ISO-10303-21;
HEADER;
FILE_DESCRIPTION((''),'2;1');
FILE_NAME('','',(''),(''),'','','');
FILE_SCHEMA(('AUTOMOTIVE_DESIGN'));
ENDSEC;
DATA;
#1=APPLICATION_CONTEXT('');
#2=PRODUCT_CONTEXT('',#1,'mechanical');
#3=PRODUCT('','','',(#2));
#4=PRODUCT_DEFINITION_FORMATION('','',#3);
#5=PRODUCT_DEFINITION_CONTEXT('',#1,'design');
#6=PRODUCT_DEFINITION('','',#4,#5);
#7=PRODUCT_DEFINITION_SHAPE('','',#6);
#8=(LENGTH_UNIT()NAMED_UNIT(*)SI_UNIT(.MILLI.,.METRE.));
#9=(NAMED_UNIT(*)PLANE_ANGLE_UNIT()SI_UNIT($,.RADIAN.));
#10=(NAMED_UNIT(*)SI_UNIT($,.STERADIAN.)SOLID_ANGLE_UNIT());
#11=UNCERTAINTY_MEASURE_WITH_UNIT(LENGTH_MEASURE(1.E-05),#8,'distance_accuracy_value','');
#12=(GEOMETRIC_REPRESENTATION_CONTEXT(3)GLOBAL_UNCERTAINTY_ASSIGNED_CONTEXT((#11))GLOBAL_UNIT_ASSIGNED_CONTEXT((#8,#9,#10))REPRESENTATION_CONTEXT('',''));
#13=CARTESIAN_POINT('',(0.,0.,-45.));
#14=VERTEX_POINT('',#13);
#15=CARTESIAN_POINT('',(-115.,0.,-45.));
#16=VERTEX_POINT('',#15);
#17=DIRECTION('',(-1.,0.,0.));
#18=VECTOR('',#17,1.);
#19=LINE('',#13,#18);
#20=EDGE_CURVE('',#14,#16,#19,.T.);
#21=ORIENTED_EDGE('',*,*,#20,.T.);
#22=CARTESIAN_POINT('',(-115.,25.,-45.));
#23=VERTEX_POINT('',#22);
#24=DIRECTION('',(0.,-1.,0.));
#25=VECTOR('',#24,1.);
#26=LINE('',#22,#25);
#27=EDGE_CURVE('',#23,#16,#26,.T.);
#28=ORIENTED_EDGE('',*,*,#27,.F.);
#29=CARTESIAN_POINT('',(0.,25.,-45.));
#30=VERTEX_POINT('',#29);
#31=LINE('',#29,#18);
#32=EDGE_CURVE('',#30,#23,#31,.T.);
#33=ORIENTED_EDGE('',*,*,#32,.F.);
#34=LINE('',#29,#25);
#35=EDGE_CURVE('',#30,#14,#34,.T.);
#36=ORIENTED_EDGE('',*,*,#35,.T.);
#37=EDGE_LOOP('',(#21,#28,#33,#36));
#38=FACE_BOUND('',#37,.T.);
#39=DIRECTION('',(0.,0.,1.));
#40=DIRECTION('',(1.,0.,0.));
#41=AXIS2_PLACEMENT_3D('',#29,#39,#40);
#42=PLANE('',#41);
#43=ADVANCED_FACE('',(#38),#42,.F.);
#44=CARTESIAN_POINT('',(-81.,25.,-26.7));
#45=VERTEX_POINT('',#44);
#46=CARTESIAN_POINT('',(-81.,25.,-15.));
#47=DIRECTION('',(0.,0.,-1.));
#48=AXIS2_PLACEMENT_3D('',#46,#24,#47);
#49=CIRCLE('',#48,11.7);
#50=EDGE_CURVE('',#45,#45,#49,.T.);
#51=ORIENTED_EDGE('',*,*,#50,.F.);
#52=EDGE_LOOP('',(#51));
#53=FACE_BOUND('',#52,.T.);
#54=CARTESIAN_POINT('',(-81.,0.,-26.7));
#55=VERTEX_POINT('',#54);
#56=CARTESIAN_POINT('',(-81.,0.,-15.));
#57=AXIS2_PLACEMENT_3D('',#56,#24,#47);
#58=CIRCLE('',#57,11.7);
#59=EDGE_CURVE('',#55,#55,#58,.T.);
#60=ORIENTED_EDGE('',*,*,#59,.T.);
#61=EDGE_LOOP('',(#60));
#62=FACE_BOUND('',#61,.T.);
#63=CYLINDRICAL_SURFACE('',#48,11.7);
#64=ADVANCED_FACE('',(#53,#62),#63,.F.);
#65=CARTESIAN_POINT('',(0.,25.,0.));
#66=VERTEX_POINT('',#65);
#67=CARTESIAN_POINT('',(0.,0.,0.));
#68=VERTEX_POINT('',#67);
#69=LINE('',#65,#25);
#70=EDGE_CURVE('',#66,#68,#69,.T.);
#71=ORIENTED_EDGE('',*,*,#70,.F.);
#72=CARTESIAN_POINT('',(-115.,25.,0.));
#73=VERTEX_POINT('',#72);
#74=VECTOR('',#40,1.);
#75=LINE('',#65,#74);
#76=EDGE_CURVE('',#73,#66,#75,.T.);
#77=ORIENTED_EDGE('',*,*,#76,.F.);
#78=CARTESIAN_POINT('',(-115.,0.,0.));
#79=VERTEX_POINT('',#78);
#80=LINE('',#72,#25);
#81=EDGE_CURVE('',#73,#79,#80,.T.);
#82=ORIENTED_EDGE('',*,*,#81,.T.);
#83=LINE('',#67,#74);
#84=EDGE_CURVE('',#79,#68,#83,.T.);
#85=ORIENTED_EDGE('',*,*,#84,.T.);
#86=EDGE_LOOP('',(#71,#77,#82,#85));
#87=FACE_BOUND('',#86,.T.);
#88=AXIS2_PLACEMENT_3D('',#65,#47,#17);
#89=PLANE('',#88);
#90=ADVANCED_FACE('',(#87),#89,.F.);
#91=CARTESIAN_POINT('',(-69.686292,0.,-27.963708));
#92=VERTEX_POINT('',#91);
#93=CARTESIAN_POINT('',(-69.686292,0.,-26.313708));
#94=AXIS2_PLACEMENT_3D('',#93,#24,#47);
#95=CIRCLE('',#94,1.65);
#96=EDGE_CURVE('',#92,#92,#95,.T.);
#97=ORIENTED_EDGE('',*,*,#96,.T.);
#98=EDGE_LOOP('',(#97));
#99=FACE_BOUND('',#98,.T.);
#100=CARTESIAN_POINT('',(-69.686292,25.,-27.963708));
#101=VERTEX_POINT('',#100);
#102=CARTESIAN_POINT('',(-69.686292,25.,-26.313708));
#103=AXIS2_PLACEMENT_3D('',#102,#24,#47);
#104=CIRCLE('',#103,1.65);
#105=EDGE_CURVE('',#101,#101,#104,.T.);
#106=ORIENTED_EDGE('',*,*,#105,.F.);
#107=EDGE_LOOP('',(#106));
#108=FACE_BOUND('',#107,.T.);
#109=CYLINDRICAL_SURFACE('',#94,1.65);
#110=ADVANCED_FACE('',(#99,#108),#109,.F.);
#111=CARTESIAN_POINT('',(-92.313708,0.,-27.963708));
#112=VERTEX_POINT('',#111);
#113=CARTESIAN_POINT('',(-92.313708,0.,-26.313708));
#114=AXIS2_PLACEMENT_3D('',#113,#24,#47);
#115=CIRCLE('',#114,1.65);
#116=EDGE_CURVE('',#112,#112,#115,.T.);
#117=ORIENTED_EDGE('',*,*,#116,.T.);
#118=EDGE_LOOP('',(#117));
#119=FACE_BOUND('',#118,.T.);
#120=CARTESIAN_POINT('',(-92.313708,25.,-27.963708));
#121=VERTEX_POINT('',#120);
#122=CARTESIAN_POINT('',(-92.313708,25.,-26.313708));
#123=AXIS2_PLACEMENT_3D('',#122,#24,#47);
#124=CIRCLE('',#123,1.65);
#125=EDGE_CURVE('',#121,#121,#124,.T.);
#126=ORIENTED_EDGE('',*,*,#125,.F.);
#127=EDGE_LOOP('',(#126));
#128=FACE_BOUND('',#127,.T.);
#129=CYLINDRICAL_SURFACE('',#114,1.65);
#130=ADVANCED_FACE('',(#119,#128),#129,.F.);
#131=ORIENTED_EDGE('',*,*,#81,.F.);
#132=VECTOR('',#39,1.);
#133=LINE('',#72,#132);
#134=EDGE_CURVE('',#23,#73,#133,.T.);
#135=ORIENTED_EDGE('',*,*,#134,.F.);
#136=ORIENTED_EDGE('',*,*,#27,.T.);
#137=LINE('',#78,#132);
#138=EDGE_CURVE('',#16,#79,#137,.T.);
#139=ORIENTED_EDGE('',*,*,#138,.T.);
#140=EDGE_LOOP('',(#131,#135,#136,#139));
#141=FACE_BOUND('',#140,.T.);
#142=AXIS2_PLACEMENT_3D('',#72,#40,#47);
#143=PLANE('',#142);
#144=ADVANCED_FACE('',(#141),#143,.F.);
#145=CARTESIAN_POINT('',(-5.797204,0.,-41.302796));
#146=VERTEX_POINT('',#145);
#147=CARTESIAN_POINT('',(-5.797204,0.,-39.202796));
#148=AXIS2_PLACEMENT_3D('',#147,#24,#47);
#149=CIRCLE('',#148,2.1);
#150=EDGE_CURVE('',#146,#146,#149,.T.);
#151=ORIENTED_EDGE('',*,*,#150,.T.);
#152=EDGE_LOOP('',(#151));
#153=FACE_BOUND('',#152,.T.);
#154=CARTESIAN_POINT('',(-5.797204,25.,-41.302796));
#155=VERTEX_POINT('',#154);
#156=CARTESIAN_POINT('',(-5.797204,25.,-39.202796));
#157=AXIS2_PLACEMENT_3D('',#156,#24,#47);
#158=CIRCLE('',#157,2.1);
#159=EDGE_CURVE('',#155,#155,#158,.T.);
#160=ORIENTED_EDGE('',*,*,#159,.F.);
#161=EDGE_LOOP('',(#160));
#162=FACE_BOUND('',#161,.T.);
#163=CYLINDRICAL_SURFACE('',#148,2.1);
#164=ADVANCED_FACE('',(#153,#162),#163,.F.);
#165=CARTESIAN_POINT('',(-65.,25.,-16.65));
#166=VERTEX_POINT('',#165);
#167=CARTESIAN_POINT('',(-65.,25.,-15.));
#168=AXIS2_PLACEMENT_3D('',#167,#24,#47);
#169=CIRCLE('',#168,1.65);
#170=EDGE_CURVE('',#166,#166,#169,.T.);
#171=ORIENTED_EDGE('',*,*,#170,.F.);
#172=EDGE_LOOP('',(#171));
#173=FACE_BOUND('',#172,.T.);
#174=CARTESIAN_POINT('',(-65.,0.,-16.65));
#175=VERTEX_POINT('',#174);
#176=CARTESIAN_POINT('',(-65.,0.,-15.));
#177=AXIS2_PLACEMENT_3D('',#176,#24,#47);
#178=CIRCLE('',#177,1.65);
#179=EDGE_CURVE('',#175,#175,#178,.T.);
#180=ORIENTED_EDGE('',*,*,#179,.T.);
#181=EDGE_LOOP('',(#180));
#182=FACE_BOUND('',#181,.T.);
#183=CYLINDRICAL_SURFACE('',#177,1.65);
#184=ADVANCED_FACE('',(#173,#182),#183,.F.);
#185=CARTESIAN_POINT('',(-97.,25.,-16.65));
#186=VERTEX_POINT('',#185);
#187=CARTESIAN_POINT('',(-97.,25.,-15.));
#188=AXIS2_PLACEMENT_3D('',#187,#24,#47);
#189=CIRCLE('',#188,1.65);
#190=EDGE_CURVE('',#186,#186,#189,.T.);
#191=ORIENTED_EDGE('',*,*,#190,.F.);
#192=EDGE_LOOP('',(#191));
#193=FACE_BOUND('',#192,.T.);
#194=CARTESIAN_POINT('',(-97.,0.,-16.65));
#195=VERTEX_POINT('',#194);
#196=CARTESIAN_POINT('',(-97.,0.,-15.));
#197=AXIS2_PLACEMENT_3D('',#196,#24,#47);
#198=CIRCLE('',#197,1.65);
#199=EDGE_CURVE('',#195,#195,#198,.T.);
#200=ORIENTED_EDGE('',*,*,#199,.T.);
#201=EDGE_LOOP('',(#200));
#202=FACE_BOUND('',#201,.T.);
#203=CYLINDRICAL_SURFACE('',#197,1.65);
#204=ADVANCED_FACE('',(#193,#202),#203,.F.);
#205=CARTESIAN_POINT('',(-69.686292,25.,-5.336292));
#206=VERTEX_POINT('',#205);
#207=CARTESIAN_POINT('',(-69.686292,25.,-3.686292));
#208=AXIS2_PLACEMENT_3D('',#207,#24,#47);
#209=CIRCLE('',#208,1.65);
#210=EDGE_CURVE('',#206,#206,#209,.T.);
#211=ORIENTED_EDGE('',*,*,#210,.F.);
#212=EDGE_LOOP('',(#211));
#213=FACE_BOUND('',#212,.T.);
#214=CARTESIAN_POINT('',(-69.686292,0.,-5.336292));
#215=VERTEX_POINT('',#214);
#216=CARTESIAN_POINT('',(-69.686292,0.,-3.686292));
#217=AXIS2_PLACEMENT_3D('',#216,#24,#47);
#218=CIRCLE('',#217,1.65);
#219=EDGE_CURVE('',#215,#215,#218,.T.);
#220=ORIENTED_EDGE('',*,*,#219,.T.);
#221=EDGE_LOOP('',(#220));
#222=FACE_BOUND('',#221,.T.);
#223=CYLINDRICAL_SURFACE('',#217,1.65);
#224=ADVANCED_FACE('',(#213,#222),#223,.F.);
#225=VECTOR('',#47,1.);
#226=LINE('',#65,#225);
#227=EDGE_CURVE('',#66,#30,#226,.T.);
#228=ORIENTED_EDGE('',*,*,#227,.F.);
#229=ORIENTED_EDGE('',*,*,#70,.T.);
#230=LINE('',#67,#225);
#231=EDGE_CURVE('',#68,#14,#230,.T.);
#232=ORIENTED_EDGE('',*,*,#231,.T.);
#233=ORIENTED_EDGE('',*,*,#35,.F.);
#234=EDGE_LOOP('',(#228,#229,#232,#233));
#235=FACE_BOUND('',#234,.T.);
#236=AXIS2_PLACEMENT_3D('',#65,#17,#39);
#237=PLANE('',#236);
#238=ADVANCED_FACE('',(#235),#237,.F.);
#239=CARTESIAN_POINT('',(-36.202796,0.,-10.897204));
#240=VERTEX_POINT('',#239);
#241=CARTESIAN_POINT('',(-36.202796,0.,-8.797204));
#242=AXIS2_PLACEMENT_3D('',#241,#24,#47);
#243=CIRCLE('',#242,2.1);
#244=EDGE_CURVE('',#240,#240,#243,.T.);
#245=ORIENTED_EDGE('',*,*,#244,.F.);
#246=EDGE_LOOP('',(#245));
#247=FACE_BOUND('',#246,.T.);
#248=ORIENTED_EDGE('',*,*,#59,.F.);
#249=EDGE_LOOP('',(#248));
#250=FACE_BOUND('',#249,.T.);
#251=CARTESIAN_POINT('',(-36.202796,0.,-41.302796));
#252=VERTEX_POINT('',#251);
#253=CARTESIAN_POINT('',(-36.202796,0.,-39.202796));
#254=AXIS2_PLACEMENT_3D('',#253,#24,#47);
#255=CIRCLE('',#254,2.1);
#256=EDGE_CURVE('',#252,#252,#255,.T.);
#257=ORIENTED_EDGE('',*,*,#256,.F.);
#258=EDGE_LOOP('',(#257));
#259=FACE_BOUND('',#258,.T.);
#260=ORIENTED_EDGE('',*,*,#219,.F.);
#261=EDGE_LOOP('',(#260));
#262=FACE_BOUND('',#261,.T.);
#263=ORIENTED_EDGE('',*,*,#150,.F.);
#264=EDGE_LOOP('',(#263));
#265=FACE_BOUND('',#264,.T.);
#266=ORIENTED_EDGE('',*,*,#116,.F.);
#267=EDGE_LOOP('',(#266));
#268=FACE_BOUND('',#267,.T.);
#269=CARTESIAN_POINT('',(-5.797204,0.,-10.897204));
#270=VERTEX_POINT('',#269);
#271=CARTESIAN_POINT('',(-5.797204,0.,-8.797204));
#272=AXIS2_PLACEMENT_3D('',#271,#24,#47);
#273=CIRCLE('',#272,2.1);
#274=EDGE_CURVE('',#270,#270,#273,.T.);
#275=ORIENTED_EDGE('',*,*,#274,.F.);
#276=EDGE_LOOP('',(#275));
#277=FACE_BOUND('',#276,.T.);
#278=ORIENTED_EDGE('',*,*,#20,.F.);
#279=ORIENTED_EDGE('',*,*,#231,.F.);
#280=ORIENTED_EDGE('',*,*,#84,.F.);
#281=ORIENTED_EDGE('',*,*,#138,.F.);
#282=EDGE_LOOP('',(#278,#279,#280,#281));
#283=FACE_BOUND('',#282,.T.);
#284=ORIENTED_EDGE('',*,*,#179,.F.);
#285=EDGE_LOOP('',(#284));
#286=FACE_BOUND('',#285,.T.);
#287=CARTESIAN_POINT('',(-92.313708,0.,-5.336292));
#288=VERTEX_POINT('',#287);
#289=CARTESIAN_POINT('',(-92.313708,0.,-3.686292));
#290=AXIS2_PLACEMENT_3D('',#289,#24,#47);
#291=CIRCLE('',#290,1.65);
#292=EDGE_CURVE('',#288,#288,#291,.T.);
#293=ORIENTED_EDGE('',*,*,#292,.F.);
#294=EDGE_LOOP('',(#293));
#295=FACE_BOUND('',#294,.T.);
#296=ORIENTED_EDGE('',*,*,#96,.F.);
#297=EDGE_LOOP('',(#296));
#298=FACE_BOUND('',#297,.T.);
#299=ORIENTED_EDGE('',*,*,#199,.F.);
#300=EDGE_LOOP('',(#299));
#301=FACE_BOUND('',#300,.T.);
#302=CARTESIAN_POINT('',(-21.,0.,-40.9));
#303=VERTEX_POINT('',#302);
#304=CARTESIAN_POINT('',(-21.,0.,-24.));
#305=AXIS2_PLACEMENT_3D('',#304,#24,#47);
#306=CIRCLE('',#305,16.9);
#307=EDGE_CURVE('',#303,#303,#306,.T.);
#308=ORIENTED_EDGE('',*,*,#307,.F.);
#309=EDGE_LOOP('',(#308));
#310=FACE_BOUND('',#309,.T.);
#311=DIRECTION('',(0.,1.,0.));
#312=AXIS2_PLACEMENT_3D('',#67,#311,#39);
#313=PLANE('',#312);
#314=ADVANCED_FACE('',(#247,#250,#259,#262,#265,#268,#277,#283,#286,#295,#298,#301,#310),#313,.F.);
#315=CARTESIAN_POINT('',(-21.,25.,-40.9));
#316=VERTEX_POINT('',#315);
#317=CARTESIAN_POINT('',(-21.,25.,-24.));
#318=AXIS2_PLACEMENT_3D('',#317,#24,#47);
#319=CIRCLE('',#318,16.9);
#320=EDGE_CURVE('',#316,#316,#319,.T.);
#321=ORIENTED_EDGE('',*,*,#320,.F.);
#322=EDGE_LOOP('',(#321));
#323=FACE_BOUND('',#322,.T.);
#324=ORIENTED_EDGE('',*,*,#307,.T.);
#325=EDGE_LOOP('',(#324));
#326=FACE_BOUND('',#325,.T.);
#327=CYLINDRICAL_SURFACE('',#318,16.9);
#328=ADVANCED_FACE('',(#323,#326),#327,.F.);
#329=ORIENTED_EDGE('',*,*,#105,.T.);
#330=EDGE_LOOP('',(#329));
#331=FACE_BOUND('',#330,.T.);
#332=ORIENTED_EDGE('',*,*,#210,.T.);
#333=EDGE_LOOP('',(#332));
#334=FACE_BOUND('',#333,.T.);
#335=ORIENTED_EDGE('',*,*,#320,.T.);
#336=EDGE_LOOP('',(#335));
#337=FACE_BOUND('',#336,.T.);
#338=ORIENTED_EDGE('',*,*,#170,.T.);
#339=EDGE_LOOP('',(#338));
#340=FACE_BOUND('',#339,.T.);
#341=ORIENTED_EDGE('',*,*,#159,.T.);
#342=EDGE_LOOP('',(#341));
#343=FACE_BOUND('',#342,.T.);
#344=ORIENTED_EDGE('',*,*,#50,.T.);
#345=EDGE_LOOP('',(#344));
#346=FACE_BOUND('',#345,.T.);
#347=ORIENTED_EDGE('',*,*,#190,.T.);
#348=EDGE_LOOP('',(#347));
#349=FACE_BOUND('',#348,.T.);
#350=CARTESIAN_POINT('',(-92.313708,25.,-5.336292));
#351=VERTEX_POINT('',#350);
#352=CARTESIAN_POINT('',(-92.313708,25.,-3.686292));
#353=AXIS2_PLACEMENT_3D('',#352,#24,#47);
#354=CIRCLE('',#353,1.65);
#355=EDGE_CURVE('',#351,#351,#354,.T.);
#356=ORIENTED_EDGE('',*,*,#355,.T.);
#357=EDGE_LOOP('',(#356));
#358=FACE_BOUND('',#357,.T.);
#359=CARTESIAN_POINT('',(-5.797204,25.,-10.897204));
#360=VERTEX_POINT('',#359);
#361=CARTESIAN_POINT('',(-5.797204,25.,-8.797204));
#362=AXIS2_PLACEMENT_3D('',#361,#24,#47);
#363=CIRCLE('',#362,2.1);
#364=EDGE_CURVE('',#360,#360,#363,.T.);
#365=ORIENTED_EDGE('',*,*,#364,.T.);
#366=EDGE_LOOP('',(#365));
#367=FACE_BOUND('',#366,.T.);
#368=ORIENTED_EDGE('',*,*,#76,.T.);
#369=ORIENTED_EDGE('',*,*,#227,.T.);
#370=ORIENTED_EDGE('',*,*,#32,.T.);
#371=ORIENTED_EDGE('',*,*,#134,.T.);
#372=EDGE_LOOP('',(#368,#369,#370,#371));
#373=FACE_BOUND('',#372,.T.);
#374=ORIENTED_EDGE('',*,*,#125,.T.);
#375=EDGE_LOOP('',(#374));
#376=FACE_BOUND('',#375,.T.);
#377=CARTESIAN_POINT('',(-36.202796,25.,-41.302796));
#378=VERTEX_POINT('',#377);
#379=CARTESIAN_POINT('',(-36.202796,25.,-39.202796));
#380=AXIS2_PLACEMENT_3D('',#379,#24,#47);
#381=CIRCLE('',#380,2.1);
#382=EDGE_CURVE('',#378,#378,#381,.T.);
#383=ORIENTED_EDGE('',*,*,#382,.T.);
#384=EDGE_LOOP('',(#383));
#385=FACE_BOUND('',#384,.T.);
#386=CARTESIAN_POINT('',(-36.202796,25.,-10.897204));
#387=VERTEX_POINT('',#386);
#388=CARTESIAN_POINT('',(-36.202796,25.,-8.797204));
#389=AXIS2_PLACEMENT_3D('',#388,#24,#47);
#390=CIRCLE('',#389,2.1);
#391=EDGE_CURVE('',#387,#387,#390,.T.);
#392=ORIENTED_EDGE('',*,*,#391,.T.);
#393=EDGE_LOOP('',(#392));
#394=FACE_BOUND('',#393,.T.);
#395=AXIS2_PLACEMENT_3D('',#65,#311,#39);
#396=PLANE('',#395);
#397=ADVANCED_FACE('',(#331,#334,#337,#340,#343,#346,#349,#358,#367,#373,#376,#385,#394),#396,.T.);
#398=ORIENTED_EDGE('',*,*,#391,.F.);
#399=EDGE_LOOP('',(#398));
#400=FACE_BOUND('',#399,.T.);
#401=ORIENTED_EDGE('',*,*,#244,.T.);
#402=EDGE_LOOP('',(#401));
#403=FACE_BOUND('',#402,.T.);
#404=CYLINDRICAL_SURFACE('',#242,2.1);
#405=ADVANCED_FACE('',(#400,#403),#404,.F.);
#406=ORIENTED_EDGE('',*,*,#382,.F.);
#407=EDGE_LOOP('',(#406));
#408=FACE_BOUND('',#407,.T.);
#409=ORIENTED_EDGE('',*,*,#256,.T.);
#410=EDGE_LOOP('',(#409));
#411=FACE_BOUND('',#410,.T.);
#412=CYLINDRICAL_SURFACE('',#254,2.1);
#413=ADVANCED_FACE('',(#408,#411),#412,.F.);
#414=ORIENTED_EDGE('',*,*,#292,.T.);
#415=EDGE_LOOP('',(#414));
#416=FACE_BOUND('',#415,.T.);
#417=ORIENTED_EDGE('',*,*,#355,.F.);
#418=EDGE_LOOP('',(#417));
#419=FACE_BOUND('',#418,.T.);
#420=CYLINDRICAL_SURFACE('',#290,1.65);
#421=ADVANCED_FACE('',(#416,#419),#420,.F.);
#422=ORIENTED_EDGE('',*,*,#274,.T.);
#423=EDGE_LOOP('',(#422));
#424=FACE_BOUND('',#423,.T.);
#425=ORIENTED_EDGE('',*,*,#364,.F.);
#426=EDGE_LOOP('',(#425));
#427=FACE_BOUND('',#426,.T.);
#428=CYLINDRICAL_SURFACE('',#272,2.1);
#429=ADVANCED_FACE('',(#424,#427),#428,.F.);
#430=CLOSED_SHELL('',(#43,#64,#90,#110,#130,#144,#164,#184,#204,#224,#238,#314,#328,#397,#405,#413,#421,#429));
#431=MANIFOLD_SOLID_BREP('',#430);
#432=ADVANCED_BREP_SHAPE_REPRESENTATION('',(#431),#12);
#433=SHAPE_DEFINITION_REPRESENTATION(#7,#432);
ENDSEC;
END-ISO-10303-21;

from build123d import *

# Parameters (mm, degrees)
SKETCH1_W             = 115
SKETCH1_H             = 45
BOSS_EXTRUDE1_DEPTH   = 25
SKETCH2_R             = 11.7
SKETCH2_R_2           = 16.9
CUT_EXTRUDE1_DEPTH    = 26
M5X0_8_TAPPED_HOLE1_D = 4.2
M4X0_7_TAPPED_HOLE1_D = 3.3


with BuildPart() as part:
    # Sketch1 → Boss-Extrude1 (new body)
    with BuildSketch(Plane(origin=(0, 0, 0), x_dir=(1, 0, 0), z_dir=(0, 1, 0))):
        with Locations((-57.5, 22.5)):
            Rectangle(SKETCH1_W, SKETCH1_H)
    extrude(amount=BOSS_EXTRUDE1_DEPTH)

    # Sketch2 → Cut-Extrude1 (cut, through all)
    with BuildSketch(Plane.XZ):
        with Locations((-81, -15)):
            Circle(SKETCH2_R)
        with Locations((-21, -24)):
            Circle(SKETCH2_R_2)
    extrude(amount=-CUT_EXTRUDE1_DEPTH, mode=Mode.SUBTRACT)

    # M5x0.8 Tapped Hole1 (through all)
    with Locations(Plane(origin=(0, 0, 0), x_dir=(-1, 0, 0), z_dir=(0, -1, 0))):
        with Locations((36.202795796, 39.202795796), (5.797204204, 39.202795796), (5.797204204, 8.797204204), (36.202795796, 8.797204204)):
            Hole(M5X0_8_TAPPED_HOLE1_D / 2)

    # M4x0.7 Tapped Hole1 (through all)
    with Locations(Plane(origin=(0, 0, 0), x_dir=(-1, 0, 0), z_dir=(0, -1, 0))):
        with Locations((92.313708499, 3.686291501), (97, 15), (92.313708499, 26.313708499), (69.686291501, 26.313708499), (65, 15), (69.686291501, 3.686291501)):
            Hole(M4X0_7_TAPPED_HOLE1_D / 2)


solid = part.part
